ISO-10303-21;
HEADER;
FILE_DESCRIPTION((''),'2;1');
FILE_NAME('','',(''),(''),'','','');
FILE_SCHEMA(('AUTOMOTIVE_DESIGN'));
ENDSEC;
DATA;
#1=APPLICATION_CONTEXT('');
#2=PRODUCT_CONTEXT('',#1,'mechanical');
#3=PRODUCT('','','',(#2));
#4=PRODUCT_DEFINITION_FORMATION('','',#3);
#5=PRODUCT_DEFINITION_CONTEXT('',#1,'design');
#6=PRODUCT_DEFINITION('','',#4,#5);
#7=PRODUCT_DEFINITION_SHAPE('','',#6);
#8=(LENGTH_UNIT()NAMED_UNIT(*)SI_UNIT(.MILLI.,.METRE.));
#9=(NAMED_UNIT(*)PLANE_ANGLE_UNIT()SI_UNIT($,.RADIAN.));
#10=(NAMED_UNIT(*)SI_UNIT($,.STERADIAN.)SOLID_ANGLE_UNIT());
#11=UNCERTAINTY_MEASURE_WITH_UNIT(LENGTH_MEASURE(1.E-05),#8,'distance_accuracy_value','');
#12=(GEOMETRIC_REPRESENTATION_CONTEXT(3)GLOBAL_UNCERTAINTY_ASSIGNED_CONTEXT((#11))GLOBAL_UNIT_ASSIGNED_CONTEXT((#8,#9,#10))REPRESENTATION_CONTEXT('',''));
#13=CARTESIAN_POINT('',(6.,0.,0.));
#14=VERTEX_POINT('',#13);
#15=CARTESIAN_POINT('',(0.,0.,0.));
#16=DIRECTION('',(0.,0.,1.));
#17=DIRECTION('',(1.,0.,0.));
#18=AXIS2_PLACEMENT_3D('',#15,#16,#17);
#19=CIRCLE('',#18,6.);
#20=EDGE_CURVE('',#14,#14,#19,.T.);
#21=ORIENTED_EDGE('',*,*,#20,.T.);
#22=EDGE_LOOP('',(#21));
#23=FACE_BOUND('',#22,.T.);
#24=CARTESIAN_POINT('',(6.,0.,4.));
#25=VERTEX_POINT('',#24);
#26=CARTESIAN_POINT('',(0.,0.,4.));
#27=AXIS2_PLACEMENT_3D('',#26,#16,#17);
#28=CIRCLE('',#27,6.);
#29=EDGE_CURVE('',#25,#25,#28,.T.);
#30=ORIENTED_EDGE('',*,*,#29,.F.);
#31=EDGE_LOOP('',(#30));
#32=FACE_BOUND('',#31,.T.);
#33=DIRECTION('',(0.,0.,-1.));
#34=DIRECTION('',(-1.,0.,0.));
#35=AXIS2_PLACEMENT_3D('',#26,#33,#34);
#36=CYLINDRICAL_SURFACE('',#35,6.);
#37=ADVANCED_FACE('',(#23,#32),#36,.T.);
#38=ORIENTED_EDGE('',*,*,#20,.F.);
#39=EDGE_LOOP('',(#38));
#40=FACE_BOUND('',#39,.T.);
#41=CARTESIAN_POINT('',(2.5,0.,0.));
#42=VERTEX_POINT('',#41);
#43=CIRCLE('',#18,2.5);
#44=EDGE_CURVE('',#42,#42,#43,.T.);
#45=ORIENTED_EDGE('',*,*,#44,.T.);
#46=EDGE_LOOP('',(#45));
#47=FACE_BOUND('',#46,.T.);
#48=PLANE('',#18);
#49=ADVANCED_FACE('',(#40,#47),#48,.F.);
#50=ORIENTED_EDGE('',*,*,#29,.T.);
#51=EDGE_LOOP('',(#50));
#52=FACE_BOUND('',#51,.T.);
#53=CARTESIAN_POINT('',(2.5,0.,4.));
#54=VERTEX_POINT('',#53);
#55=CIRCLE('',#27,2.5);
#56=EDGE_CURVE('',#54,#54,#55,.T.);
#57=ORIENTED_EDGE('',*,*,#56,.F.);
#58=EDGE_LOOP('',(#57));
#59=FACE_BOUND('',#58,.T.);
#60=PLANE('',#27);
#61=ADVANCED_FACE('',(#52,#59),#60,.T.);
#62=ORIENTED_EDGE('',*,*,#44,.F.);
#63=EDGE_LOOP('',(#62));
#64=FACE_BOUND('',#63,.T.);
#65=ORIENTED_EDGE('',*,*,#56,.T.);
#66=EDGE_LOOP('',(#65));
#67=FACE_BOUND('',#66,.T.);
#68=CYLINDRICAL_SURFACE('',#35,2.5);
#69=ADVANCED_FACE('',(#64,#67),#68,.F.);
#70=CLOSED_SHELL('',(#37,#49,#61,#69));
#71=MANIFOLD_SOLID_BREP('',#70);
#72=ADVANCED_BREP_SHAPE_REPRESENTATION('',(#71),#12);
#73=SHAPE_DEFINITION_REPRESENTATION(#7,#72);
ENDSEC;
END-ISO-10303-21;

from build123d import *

# Parameters (mm, degrees)
ESBO_O1_R                = 6
ESBO_O1_R_2              = 2.5
RESSALTO_EXTRUS_O1_DEPTH = 4


with BuildPart() as part:
    # Esboço1 → Ressalto-extrusão1 (new body)
    with BuildSketch(Plane.XY):
        Circle(ESBO_O1_R)
        Circle(ESBO_O1_R_2, mode=Mode.SUBTRACT)
    extrude(amount=RESSALTO_EXTRUS_O1_DEPTH)


solid = part.part
